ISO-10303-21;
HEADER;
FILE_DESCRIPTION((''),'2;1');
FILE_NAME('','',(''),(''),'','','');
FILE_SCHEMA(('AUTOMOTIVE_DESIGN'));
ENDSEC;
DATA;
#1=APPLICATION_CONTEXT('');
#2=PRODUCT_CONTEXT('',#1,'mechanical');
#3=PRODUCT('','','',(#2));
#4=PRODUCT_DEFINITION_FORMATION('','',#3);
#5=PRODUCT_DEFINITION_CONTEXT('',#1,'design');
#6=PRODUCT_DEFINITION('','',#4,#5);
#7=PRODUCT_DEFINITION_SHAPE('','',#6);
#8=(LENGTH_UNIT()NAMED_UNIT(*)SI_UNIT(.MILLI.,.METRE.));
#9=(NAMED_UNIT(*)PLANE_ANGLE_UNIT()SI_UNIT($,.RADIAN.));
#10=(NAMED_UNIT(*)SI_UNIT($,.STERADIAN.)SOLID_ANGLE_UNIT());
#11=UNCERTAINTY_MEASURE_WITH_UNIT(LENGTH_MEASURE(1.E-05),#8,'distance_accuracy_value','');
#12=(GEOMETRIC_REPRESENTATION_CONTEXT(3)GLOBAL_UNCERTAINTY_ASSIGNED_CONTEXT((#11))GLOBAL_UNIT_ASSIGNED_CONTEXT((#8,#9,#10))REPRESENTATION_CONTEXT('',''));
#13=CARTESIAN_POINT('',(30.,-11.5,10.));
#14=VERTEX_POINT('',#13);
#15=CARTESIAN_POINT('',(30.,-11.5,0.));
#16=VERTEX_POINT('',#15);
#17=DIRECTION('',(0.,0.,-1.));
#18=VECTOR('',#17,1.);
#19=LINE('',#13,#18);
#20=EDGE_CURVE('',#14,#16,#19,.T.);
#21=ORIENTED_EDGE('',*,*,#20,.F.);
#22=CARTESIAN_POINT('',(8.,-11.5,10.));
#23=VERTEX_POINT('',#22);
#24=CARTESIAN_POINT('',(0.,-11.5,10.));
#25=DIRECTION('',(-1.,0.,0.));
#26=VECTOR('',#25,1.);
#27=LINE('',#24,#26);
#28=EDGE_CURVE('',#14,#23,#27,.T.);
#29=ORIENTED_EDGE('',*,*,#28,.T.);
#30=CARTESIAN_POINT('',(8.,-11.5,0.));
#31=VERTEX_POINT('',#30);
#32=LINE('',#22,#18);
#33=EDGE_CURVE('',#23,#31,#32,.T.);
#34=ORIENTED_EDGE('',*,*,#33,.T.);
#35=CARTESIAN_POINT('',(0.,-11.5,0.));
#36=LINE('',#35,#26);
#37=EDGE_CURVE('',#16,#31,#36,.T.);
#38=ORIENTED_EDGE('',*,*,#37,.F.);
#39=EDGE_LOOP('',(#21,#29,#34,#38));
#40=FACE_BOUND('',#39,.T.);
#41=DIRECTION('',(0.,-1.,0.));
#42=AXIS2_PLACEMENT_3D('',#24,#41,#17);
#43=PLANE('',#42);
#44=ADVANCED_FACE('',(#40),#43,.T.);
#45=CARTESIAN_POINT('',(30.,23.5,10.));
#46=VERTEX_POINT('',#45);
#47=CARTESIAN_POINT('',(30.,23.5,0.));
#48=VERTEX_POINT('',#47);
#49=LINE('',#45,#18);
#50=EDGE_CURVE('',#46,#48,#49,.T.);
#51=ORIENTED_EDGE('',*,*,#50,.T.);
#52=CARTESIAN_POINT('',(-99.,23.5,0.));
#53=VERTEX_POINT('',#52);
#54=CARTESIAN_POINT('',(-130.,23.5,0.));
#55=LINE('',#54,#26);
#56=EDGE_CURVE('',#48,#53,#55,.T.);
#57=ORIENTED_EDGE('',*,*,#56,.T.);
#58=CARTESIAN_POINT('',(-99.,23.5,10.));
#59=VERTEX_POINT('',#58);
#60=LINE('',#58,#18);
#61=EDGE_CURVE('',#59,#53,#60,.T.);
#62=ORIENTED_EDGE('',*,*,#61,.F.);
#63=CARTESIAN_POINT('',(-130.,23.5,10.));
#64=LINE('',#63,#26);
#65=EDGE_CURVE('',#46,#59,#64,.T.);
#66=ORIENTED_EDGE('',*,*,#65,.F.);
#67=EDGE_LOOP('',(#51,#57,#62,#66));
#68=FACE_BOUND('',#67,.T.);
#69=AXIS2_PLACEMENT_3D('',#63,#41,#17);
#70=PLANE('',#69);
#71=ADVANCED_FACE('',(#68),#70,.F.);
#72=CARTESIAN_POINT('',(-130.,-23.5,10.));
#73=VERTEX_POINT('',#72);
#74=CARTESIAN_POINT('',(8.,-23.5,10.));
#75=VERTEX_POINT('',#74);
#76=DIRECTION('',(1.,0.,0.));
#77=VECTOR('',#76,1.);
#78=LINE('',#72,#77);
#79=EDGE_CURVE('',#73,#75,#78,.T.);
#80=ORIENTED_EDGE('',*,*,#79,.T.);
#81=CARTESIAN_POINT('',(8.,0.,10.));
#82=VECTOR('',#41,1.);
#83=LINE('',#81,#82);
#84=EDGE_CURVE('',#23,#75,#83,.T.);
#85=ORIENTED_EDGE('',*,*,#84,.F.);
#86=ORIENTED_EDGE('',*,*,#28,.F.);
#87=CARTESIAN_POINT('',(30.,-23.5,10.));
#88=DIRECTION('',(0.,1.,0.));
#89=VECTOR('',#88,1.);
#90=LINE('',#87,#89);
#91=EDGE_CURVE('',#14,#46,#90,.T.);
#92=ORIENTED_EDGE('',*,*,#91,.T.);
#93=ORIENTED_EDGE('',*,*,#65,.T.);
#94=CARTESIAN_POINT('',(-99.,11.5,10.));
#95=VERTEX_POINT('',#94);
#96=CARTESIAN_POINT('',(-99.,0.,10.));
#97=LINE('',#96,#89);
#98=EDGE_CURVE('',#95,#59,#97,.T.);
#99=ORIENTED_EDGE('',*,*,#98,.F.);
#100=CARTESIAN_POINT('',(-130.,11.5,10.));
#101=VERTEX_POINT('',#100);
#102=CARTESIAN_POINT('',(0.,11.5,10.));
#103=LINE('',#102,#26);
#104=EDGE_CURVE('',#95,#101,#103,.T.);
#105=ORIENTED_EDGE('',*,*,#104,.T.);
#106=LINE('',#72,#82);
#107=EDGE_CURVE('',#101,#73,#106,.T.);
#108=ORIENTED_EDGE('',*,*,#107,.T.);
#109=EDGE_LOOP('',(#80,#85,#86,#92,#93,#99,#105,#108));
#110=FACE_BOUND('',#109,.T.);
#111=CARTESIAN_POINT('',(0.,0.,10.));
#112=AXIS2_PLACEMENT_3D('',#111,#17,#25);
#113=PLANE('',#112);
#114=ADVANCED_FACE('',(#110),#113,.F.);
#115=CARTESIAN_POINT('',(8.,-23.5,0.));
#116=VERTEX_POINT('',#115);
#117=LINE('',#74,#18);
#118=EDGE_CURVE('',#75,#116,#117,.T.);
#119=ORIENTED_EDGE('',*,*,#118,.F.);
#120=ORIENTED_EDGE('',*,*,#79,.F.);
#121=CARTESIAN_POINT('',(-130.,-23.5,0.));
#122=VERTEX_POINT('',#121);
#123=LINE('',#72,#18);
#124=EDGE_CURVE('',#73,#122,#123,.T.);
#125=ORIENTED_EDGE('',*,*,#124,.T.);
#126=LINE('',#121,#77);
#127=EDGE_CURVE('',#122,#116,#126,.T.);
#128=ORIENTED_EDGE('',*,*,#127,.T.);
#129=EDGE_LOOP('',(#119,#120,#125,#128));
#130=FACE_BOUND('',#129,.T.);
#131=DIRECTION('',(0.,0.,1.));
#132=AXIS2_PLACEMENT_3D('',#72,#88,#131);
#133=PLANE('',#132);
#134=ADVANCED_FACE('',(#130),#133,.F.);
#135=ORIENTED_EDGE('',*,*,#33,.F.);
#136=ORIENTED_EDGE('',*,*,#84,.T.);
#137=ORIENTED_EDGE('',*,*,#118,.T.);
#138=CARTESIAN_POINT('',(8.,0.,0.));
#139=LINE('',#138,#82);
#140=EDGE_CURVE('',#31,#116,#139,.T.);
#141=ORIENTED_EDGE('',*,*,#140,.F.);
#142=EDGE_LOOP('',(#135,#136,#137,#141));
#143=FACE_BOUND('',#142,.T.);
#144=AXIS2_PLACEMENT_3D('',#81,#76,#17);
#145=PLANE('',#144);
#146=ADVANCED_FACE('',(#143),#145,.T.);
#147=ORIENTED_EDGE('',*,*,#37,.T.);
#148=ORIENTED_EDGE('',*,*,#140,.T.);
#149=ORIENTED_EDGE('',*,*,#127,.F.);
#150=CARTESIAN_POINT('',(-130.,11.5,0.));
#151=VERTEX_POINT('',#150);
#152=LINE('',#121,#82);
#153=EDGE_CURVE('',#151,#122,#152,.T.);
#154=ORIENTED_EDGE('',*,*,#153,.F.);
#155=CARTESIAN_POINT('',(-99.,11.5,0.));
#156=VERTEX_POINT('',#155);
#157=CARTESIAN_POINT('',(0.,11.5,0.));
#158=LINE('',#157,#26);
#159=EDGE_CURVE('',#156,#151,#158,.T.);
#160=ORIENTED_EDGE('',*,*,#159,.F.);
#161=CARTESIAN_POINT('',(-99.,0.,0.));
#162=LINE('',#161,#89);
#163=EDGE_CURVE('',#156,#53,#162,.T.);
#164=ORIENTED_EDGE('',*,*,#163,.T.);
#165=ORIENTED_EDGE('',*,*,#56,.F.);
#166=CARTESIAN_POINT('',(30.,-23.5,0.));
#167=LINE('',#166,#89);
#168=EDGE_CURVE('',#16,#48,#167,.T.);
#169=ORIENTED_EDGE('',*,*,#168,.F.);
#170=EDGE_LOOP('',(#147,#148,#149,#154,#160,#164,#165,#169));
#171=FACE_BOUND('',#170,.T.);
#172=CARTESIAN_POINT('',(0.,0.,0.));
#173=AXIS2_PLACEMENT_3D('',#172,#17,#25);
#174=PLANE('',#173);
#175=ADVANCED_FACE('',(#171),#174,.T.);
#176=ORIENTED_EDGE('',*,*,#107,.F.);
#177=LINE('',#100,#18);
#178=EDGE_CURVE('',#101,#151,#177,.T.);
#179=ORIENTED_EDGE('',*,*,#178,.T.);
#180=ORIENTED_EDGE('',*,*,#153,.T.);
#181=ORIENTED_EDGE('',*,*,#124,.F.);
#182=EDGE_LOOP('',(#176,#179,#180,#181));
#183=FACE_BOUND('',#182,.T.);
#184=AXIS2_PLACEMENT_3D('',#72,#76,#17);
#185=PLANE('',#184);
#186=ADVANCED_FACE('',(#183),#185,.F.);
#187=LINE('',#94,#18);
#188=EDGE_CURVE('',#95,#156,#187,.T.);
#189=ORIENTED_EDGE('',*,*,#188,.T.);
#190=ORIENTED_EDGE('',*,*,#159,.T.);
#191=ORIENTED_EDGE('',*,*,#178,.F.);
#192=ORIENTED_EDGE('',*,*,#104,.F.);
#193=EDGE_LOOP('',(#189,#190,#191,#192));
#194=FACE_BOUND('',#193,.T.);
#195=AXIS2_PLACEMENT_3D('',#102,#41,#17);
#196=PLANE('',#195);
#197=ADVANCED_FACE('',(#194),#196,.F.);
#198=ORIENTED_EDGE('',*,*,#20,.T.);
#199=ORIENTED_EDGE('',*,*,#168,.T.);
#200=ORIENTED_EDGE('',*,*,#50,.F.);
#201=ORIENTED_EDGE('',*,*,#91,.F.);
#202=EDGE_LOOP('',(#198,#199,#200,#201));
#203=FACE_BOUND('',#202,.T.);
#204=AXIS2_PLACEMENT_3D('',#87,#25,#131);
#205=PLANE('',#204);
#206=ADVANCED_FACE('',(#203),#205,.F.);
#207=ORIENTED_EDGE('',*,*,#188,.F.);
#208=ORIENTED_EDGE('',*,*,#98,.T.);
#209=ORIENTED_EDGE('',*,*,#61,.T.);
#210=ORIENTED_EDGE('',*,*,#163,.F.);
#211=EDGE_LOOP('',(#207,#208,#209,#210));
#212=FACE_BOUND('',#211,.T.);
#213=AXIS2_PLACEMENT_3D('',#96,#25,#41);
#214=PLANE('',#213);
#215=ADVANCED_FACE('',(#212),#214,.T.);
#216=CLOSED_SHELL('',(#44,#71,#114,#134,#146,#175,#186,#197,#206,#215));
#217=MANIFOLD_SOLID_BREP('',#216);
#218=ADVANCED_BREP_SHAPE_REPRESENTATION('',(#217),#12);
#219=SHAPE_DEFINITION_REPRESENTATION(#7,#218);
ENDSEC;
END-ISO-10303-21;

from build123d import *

# Parameters (mm, degrees)
SKETCH1_W           = 160
SKETCH1_H           = 47
BOSS_EXTRUDE1_DEPTH = 10
SKETCH3_W           = 31
SKETCH3_H           = 12
SKETCH3_W_2         = 22
CUT_EXTRUDE1_DEPTH  = 10


with BuildPart() as part:
    # Sketch1 → Boss-Extrude1 (new body)
    with BuildSketch(Plane.XY):
        with Locations((-50, 0)):
            Rectangle(SKETCH1_W, SKETCH1_H)
    extrude(amount=BOSS_EXTRUDE1_DEPTH)

    # Sketch3 → Cut-Extrude1 (cut)
    with BuildSketch(Plane(origin=(0, 0, 0), x_dir=(-1, 0, 0), z_dir=(0, 0, -1))):
        with Locations((114.5, 17.5)):
            Rectangle(SKETCH3_W, SKETCH3_H)
        with Locations((-19, -17.5)):
            Rectangle(SKETCH3_W_2, SKETCH3_H)
    extrude(amount=-CUT_EXTRUDE1_DEPTH, mode=Mode.SUBTRACT)


solid = part.part
